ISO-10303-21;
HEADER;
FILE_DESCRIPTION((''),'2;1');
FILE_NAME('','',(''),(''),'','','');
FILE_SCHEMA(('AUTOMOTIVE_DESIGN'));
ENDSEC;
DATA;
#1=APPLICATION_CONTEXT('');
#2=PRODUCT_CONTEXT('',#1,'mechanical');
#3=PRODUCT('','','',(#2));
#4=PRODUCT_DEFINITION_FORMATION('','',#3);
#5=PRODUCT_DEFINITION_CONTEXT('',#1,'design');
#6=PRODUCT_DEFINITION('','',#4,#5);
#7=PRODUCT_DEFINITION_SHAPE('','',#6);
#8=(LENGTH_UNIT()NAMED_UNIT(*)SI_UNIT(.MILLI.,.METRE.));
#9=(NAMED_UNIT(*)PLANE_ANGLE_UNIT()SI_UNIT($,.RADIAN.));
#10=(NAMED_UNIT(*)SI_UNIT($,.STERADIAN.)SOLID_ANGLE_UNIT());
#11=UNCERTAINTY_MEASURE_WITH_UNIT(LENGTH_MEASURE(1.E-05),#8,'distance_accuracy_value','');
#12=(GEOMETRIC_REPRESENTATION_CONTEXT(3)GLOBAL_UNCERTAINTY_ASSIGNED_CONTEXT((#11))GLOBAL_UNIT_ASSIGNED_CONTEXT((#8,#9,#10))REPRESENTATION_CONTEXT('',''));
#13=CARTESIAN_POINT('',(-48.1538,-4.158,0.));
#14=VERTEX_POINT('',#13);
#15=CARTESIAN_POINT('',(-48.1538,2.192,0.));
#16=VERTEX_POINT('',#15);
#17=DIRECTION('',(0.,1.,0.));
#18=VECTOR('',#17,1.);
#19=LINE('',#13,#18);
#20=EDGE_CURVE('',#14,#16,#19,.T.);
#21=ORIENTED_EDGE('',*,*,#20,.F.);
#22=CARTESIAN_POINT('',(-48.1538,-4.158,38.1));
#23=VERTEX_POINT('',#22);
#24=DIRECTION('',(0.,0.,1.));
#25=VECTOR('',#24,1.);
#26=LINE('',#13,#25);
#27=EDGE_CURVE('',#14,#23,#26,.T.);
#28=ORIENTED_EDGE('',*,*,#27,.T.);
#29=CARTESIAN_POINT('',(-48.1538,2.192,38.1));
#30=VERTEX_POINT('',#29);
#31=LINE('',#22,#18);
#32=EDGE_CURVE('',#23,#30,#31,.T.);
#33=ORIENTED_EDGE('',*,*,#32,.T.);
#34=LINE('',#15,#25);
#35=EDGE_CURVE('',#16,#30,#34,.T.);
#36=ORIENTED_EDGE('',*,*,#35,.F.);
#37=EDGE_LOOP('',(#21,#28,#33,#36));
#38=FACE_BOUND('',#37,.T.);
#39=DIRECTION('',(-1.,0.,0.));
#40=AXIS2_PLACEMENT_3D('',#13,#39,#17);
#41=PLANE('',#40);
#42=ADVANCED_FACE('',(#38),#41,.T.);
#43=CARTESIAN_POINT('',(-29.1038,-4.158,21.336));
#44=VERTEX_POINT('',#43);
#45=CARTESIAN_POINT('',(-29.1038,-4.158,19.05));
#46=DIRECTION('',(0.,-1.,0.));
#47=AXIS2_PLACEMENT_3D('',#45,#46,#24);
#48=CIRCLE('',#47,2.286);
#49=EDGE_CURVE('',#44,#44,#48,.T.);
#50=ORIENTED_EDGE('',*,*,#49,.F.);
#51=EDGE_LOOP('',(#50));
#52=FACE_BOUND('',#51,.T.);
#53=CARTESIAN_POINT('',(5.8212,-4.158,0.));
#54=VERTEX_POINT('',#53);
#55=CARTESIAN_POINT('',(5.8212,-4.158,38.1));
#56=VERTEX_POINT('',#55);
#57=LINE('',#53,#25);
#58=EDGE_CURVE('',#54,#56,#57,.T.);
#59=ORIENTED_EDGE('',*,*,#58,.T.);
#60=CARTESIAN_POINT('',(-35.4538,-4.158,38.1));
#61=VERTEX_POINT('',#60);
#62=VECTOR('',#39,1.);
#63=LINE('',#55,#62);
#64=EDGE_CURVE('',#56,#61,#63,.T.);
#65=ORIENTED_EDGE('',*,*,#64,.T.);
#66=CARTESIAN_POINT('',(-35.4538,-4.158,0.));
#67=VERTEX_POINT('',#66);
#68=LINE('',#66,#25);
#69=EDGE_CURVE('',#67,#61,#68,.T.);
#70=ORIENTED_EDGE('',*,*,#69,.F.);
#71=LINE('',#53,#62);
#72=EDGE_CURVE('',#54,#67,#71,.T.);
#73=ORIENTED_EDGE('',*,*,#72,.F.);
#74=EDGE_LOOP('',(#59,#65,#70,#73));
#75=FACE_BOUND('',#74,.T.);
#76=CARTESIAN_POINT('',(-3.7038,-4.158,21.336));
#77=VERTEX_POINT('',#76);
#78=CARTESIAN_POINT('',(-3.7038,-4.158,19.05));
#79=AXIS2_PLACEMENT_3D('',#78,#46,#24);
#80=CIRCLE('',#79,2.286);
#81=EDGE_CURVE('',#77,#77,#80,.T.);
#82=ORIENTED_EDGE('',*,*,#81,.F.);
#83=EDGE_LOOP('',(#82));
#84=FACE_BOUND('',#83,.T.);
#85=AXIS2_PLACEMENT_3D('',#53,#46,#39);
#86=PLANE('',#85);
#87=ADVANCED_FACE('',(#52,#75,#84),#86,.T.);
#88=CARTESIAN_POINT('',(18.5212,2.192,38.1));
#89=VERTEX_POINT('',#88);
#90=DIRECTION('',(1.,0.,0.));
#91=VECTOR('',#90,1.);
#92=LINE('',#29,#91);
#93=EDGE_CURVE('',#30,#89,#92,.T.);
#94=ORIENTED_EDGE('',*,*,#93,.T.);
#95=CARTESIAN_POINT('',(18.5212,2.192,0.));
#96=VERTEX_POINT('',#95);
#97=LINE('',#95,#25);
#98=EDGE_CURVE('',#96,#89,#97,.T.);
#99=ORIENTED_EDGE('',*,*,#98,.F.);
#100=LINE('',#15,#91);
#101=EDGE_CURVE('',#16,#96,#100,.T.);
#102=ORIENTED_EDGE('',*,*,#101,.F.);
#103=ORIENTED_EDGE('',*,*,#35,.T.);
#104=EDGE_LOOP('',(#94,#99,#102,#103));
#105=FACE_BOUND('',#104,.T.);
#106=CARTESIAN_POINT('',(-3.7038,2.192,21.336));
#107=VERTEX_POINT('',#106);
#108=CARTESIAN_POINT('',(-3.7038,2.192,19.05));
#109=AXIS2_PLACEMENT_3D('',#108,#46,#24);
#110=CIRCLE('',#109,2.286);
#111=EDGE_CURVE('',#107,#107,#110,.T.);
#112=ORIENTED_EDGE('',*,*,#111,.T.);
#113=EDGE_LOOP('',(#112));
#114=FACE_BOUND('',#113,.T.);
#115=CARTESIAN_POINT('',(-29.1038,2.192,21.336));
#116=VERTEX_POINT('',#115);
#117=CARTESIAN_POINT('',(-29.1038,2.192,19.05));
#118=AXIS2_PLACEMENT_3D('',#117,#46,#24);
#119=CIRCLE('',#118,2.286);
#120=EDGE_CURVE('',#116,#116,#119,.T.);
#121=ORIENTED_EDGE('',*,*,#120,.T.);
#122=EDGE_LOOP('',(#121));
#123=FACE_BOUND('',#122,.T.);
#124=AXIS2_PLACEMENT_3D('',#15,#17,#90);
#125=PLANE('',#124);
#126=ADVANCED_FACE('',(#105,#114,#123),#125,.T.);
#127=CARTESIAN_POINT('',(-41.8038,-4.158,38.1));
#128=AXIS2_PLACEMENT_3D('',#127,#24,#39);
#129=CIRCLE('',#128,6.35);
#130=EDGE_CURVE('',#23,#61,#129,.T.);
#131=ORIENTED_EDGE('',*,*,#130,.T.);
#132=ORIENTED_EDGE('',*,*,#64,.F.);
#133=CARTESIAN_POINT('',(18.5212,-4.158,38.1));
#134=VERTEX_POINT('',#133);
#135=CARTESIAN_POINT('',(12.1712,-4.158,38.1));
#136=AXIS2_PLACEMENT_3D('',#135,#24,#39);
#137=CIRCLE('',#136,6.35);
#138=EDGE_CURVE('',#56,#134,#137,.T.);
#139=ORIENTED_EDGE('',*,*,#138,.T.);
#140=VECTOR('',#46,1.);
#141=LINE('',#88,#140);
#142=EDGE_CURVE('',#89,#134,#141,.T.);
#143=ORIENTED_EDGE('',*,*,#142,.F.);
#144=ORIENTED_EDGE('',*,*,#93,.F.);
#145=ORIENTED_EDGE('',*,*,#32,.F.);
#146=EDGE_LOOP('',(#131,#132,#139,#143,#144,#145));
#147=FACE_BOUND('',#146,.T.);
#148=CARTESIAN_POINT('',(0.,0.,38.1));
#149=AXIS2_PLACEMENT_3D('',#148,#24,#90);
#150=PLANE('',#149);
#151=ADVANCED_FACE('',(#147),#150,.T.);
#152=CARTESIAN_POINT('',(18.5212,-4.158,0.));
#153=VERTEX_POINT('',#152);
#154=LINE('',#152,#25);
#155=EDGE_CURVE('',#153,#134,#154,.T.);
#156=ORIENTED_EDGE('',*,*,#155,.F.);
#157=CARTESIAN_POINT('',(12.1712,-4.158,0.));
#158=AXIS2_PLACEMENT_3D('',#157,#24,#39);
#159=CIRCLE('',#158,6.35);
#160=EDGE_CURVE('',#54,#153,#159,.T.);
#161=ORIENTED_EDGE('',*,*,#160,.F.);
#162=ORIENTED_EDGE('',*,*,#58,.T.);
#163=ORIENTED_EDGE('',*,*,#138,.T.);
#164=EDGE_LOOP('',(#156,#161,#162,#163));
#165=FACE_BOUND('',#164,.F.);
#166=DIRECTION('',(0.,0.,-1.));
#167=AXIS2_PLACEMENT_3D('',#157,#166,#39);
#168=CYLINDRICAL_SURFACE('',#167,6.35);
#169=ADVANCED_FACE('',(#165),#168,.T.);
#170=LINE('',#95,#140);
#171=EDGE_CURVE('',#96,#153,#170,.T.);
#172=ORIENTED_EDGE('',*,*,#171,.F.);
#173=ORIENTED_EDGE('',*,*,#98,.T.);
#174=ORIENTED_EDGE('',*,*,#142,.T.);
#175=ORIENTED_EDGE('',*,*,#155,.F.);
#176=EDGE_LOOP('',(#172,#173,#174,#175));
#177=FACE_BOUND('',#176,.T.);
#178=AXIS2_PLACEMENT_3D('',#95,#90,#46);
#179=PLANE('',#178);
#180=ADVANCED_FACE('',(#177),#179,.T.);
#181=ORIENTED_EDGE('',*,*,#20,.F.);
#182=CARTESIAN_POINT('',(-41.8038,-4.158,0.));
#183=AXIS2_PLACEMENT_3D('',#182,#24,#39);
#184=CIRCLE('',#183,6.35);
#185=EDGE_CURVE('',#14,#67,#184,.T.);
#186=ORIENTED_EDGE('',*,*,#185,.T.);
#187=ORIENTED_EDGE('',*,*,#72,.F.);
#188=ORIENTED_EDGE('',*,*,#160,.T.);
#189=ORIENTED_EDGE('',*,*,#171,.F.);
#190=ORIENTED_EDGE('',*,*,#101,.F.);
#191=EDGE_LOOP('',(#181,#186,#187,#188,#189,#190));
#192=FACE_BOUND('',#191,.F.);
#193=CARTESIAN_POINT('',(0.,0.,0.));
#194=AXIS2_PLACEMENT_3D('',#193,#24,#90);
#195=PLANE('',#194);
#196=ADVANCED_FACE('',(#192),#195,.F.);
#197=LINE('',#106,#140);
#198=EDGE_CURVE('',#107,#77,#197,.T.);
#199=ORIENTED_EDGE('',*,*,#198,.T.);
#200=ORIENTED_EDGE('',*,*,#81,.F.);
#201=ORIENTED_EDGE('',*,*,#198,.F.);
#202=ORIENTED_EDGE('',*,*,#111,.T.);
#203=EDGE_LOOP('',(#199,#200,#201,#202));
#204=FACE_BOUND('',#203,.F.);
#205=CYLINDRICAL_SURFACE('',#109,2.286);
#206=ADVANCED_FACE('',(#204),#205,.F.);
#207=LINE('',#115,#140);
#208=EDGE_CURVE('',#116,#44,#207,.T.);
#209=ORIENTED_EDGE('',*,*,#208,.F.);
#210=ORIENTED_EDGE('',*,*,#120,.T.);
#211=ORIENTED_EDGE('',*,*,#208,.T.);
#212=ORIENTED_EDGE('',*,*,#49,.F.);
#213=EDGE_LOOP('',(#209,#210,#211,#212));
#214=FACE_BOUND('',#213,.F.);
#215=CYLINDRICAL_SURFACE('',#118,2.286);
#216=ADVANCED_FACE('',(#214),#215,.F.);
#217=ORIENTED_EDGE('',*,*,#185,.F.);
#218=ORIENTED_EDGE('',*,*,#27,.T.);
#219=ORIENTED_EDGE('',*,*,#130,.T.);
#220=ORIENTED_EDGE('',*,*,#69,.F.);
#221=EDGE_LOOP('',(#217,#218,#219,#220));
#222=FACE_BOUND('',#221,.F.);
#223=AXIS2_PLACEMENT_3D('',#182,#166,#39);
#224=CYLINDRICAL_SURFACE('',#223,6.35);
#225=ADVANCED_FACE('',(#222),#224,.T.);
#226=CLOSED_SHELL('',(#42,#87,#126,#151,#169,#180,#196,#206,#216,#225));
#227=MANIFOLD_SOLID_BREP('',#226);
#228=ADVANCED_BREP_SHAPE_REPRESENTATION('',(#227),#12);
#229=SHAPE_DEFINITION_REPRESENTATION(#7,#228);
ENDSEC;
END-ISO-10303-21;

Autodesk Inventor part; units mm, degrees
ref_plane "YZ Plane" through (0, 0, 0) normal (1, 0, 0) x (0, 1, 0)
ref_plane "XZ Plane" through (0, 0, 0) normal (0, 1, 0) x (-1, 0, 0)
ref_plane "XY Plane" through (0, 0, 0) normal (0, 0, 1) x (1, 0, 0)
sketch "Sketch1" plane through (0, 0, 0) normal (0, 0, 1) x (1, 0, 0)
  line L0 (-48.1538, -4.158) -> (-48.1538, 2.192)
  line L1 (-48.1538, 2.192) -> (18.5212, 2.192)
  line L2 (18.5212, 2.192) -> (18.5212, -4.158)
  arc A0 (5.8212, -4.158) -> (18.5212, -4.158) centre (12.1712, -4.158) ccw
  line L3 (5.8212, -4.158) -> (-35.4538, -4.158)
  arc A1 (-48.1538, -4.158) -> (-35.4538, -4.158) centre (-41.8038, -4.158) ccw
  dimension "d0" = 6.35
  dimension "d1" = 6.35
  dimension "d2" = 66.675
extrude "Extrusion1" add sketch "Sketch1" along normal blind 38.1
sketch "Sketch2" plane through (-48.1538, 2.192, 0) normal (0, 1, 0) x (1, 0, 0)
  line L0 (0, 0) -> (0, -38.1) projected
  line L1 (19.05, -19.05) -> (44.45, -19.05)
  point P0 (66.675, 0)
  dimension "d5" = 22.225
  dimension "d6" = 25.4
  dimension "d7" = 19.05
hole "Hole1" at (-3.7038, 2.192, 19.05) at (-29.1038, 2.192, 19.05) direction (0, -1, 0) diameter 4.572 end through all
properties part number "locator"
